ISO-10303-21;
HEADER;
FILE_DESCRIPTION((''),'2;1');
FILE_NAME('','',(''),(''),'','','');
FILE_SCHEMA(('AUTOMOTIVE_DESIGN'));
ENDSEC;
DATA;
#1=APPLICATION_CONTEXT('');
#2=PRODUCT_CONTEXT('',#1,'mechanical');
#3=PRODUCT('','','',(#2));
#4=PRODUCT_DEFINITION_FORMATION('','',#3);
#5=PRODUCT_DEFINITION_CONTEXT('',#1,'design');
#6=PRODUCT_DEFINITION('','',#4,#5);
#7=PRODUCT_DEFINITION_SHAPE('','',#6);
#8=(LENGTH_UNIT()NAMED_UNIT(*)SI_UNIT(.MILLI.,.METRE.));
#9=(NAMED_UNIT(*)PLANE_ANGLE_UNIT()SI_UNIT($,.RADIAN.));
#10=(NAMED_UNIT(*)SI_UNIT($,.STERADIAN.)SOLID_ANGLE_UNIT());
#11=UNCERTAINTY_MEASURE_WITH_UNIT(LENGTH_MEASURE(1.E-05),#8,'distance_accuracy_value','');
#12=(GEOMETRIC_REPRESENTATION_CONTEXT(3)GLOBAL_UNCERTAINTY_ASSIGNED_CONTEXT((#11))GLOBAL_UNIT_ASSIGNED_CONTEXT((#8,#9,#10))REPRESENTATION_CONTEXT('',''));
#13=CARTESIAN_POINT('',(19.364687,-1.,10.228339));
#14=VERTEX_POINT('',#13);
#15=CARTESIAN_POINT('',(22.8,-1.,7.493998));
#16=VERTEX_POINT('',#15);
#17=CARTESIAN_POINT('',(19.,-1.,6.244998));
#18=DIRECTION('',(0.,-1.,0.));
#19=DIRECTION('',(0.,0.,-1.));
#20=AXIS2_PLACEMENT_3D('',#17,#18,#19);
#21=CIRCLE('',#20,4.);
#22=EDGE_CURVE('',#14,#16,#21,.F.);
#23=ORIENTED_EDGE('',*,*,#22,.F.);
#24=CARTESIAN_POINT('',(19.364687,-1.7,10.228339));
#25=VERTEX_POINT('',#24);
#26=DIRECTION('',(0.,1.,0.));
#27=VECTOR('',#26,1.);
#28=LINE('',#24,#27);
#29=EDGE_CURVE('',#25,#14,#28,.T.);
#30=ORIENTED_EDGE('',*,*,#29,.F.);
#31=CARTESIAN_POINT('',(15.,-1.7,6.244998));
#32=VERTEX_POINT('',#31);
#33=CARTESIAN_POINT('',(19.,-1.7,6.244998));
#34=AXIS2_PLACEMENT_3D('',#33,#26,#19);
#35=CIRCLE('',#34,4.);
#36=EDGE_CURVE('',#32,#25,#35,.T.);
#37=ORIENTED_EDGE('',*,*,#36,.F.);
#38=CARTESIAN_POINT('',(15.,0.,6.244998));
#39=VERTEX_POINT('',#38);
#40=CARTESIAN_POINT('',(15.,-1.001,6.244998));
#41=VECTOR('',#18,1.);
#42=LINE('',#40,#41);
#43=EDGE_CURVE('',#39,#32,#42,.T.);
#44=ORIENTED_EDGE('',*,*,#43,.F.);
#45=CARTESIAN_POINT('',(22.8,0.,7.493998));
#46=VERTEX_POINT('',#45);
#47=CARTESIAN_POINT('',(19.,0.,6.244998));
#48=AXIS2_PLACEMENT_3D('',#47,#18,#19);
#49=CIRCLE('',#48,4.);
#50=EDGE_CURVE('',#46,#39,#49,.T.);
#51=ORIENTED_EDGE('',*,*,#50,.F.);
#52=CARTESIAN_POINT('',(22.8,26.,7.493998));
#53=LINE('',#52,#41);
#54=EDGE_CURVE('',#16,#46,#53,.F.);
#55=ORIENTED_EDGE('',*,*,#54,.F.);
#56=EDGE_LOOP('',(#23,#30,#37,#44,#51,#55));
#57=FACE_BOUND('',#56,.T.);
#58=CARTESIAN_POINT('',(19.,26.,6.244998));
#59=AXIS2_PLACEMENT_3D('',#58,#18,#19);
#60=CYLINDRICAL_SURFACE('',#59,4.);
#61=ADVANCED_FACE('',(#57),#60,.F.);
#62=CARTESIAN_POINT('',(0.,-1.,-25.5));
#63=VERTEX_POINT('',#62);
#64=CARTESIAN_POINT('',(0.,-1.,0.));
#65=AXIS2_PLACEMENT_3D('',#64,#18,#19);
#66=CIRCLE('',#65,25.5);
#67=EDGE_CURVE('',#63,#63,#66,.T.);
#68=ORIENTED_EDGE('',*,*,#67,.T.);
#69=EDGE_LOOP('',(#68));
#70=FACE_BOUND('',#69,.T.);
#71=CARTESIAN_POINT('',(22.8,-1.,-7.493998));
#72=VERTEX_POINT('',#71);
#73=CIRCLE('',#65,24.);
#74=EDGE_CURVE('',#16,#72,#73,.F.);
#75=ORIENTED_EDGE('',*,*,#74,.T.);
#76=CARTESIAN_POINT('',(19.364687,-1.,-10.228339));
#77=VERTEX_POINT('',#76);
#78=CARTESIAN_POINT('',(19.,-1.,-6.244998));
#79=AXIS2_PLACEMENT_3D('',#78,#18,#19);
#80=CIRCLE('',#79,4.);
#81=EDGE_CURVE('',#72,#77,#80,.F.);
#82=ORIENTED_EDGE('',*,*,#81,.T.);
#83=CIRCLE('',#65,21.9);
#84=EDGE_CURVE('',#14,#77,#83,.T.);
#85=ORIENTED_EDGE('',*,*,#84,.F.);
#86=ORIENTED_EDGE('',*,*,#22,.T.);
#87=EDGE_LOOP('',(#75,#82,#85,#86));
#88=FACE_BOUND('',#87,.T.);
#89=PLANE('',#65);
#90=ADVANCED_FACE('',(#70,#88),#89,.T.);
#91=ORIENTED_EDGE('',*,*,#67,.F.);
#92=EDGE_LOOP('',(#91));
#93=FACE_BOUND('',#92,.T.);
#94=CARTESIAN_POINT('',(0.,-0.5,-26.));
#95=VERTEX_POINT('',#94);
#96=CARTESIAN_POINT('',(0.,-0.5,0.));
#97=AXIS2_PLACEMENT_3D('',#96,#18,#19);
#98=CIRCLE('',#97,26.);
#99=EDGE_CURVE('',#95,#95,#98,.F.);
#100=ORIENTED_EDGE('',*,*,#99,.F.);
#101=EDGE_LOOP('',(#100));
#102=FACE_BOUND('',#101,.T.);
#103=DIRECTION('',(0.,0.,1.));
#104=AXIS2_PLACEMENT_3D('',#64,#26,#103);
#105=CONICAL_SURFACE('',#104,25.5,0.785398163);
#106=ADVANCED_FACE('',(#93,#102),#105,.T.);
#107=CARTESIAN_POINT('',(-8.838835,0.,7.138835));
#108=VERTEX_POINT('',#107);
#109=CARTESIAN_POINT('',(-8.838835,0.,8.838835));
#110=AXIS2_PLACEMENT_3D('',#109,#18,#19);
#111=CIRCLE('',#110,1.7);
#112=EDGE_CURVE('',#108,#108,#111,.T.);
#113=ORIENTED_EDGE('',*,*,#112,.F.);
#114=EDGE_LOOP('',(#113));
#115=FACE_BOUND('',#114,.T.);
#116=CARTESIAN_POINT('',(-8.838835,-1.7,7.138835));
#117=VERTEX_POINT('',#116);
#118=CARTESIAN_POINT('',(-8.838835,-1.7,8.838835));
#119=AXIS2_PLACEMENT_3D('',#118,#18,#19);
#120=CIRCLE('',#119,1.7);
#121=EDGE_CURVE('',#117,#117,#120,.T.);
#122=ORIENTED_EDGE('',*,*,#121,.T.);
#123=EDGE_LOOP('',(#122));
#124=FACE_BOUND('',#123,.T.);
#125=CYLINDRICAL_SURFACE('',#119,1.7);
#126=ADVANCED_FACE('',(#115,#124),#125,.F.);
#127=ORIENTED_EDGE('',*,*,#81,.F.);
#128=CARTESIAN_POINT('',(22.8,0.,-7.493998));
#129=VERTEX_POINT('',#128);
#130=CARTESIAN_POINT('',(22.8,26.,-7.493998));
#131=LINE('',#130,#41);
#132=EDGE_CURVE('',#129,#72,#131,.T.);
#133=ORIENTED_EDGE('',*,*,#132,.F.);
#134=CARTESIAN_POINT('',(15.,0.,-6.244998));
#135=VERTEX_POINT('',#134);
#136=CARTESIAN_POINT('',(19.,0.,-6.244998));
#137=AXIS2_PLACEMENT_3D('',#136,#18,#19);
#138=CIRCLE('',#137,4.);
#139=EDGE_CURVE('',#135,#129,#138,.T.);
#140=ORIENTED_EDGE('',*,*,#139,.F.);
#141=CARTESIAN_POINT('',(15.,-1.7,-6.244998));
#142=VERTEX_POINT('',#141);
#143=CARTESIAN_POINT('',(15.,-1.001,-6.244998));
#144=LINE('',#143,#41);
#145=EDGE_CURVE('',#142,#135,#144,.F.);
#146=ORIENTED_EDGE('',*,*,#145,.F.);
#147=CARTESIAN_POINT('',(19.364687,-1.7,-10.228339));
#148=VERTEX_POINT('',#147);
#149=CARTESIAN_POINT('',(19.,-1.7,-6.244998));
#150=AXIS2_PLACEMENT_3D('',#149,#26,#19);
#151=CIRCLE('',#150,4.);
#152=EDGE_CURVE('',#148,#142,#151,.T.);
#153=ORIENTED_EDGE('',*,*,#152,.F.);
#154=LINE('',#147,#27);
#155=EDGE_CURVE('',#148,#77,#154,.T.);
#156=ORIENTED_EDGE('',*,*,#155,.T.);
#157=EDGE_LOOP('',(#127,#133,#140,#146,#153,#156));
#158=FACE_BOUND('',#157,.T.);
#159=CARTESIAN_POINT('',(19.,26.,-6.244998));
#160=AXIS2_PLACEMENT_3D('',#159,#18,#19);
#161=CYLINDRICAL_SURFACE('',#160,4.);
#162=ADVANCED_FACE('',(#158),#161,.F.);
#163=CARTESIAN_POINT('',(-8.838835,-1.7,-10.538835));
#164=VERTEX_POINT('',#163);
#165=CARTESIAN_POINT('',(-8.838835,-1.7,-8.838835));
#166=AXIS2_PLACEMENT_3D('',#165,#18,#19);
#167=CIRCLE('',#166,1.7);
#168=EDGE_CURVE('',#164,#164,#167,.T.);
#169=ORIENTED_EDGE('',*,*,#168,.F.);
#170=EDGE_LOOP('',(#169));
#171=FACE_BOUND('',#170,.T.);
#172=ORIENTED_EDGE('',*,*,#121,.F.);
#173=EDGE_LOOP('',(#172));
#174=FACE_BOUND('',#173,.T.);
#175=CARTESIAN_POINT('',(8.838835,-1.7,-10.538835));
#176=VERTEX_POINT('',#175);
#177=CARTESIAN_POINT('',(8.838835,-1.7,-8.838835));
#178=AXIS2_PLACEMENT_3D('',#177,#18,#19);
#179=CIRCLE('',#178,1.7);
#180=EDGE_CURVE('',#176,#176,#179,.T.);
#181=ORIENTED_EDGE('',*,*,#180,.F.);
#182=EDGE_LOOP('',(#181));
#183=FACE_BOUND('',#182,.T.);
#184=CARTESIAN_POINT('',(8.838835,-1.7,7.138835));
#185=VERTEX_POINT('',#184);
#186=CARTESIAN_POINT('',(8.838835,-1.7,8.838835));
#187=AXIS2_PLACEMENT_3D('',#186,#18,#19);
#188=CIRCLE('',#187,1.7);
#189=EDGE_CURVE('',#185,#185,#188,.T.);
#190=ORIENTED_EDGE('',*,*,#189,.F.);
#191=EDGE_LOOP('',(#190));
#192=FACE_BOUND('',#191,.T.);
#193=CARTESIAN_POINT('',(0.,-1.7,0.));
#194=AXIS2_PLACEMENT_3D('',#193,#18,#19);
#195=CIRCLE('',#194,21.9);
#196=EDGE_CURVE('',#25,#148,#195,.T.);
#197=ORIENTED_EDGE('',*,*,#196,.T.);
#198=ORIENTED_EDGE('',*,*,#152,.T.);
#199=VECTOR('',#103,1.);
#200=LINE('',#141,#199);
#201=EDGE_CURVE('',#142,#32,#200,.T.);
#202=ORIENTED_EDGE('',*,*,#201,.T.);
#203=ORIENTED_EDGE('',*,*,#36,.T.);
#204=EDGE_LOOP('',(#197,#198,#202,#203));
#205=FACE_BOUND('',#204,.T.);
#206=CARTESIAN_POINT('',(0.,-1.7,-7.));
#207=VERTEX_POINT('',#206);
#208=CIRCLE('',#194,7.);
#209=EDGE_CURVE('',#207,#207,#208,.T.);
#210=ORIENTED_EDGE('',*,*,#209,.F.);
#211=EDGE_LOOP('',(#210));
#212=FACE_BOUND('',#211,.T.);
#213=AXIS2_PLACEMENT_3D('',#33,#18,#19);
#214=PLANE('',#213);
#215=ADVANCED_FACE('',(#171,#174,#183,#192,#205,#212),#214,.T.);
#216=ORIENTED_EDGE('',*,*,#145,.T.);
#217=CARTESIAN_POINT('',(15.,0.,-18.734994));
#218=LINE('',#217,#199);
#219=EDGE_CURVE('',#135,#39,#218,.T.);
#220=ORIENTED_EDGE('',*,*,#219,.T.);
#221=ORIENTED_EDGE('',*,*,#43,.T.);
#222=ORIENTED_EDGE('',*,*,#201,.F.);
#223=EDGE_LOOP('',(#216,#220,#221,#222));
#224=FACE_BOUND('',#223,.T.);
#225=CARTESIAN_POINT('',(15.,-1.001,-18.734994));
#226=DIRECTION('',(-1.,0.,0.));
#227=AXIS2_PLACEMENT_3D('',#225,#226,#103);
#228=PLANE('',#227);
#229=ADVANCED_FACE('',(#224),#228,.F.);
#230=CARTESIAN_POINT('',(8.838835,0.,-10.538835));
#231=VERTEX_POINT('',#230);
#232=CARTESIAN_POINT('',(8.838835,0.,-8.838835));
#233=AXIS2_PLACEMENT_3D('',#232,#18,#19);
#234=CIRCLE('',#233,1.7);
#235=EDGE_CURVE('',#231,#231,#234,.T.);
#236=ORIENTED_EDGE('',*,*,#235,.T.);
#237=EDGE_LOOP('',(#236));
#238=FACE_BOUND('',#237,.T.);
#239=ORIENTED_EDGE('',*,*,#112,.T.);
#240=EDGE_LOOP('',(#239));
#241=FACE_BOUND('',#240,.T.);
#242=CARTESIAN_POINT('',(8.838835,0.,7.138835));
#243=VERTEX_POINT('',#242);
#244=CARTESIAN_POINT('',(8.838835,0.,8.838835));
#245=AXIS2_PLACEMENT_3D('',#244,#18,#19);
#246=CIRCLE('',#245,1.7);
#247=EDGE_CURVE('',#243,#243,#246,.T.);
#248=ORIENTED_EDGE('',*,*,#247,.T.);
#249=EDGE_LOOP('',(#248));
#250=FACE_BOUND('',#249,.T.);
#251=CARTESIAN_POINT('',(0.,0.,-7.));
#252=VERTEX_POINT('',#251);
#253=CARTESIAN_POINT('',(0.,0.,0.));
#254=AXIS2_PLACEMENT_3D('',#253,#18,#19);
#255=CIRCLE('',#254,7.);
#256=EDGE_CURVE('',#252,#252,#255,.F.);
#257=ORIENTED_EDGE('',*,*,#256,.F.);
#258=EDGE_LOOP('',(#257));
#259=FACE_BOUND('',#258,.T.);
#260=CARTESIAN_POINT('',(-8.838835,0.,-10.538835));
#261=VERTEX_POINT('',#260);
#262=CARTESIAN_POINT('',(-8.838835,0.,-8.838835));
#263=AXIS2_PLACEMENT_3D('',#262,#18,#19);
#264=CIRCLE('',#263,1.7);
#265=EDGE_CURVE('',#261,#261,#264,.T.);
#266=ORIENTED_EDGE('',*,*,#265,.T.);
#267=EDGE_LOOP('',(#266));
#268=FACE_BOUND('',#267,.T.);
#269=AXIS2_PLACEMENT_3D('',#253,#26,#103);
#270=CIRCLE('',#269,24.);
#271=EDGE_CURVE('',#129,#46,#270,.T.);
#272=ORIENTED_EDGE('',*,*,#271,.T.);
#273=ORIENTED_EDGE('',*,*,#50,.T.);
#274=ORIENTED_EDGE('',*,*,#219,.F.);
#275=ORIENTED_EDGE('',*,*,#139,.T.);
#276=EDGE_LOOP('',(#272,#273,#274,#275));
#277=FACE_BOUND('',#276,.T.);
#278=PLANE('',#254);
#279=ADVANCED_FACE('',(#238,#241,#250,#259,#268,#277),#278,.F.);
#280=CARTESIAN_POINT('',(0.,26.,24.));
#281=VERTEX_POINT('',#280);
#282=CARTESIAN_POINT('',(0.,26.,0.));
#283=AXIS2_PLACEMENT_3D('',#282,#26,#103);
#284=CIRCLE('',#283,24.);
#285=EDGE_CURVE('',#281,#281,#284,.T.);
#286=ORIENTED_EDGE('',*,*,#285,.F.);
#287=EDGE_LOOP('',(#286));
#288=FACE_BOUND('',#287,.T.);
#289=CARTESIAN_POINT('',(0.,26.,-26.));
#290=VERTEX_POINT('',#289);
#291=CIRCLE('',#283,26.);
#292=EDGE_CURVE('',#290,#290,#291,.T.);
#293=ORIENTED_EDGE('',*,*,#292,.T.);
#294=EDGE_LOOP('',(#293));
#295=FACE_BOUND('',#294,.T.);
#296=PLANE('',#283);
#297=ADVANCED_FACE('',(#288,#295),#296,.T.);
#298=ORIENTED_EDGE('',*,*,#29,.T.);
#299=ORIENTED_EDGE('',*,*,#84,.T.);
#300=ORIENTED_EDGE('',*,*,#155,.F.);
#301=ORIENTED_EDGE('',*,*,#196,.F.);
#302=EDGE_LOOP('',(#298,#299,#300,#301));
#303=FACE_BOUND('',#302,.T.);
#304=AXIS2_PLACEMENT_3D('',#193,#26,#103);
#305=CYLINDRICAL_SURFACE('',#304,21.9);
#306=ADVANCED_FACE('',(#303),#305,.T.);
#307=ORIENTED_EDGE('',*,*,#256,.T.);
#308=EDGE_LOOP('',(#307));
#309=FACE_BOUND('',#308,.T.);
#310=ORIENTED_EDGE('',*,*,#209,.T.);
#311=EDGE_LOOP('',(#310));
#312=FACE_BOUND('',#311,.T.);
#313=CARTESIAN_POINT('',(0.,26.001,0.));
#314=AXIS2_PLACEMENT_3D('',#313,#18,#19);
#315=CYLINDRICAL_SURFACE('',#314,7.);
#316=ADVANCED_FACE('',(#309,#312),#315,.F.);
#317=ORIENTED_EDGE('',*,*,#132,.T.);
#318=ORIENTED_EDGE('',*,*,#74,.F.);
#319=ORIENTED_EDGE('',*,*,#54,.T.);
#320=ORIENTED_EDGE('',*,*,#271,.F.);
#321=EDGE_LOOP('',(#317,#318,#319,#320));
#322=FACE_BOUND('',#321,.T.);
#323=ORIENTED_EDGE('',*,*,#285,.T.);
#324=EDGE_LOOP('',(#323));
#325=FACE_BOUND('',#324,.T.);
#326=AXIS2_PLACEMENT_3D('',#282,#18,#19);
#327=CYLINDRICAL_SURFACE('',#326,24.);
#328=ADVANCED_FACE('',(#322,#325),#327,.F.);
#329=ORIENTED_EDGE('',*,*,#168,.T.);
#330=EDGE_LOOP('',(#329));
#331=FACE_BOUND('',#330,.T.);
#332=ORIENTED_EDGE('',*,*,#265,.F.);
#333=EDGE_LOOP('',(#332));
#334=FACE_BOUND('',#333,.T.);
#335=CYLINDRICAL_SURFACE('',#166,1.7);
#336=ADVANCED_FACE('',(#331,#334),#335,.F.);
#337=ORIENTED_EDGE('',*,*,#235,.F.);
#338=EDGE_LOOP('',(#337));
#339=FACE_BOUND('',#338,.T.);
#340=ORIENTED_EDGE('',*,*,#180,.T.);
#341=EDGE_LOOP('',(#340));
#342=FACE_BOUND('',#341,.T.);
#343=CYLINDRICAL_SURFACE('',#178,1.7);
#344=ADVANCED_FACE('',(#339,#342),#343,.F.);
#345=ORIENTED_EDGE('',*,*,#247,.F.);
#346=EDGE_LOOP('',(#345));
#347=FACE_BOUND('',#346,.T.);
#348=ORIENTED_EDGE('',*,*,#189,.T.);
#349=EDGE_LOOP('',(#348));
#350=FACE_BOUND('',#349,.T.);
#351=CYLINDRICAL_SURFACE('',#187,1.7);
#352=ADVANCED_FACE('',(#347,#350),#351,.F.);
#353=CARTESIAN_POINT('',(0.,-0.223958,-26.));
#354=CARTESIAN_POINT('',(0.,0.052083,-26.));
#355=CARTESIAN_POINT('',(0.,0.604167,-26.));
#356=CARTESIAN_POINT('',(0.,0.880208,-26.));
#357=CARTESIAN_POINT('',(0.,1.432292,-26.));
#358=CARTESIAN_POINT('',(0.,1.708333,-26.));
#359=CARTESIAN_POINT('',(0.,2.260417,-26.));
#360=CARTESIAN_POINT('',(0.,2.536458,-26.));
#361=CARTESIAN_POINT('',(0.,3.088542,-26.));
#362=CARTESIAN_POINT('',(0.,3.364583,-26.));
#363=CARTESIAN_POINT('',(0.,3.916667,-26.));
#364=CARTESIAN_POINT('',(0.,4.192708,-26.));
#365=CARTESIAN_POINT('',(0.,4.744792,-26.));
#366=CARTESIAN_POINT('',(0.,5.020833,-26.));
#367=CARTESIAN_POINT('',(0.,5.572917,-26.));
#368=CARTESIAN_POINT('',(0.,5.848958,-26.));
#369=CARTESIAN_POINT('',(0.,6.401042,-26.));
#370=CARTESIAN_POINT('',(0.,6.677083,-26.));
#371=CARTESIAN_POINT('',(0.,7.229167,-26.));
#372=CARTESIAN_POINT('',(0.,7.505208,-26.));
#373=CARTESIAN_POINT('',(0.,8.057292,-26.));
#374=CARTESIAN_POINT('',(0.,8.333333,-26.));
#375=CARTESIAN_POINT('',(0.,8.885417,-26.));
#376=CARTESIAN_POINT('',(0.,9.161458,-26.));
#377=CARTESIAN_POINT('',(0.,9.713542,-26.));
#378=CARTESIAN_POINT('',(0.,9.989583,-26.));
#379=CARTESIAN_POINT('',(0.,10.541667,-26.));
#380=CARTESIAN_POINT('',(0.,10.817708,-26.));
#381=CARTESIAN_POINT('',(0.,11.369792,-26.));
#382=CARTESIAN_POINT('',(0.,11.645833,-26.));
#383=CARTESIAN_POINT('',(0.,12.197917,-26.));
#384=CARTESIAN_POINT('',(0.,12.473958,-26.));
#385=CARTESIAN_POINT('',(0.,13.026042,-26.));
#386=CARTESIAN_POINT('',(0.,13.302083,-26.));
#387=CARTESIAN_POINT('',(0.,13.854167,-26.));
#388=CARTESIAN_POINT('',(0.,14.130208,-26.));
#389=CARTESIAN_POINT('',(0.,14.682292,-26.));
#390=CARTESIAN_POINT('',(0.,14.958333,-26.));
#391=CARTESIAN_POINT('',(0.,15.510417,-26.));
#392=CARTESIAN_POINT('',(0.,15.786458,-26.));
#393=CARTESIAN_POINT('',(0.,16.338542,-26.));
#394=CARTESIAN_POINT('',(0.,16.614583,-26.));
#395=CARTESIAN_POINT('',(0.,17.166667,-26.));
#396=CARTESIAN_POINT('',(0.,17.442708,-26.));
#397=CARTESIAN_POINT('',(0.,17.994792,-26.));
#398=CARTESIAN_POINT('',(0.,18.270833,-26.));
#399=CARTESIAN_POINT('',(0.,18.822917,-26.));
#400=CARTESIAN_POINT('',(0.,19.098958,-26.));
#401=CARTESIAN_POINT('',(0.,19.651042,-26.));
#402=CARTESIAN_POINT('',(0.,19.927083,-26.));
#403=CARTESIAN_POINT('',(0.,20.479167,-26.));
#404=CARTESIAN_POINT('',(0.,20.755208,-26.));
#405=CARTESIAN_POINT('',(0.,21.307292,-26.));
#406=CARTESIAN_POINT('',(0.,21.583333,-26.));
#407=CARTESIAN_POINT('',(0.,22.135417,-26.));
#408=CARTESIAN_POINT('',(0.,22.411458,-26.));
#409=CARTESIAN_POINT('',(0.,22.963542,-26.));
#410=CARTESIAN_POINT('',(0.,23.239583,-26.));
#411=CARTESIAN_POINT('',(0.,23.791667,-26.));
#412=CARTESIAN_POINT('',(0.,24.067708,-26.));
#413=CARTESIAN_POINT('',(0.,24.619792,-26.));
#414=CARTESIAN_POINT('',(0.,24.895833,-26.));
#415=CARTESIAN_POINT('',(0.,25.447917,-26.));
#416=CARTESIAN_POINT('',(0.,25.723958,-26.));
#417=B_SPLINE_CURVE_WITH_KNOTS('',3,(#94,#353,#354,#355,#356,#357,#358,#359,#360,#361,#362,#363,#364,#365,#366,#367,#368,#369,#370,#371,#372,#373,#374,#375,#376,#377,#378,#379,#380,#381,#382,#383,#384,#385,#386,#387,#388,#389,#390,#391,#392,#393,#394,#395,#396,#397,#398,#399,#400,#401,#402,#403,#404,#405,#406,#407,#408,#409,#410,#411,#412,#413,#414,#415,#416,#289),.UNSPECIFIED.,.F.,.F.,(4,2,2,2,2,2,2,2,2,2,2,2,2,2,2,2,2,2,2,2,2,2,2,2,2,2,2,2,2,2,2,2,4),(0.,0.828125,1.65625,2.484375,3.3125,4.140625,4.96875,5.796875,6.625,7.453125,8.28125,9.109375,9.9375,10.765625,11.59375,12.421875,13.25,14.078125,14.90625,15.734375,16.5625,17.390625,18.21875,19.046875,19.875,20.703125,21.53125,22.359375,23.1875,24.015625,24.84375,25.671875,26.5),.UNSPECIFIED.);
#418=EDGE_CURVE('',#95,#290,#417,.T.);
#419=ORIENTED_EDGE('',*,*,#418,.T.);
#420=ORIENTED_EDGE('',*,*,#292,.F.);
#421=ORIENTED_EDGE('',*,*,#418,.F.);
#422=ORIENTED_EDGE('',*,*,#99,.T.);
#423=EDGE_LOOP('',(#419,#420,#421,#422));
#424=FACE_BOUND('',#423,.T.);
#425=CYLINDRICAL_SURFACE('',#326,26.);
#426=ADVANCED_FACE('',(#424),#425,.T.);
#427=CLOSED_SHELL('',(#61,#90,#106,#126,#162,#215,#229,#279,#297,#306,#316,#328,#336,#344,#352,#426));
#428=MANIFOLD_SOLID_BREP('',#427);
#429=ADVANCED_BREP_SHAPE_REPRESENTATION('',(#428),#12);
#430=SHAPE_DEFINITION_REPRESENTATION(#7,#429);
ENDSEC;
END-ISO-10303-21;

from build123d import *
from build123d.topology import SkipClean

# Parameters (mm, degrees)
SKETCH_1_R          = 26
SKETCH_1_R_2        = 24
EXTRUDE_1_DEPTH     = 26
EXTRUDE_START       = 1
SKETCH_2_R          = 26
EXTRUDE_2_DEPTH     = 1
CUT_EXTRUDE_4_REACH = 47.033
FILLET_2_R          = 4
EXTRUDE_START_2     = 0.7
EXTRUDE_3_DEPTH     = 0.7
CUT_EXTRUDE_1_REACH = 48.036
SKETCH_4_R          = 7
HOLE_WIZARD_M31_D   = 3.4
CHAMFER_1_SIZE      = 0.5


with BuildPart() as part:
    # Эскиз1 → Бобышка-Вытянуть1 (new body)
    with BuildSketch(Plane(origin=(0, 0, 0), x_dir=(1, 0, 0), z_dir=(0, 1, 0))):
        with Locations(Location((0, 0, 0), (0, 0, 90))):
            Circle(SKETCH_1_R)
        with Locations(Location((0, 0, 0), (0, 0, 90))):
            Circle(SKETCH_1_R_2, mode=Mode.SUBTRACT)
    extrude(amount=EXTRUDE_1_DEPTH)

    # Эскиз2 → Бобышка-Вытянуть2 (add)
    with BuildSketch(Plane.XZ.offset(EXTRUDE_START)):
        with Locations(Location((0, 0, 0), (0, 0, 270))):
            Circle(SKETCH_2_R)
    extrude(amount=-EXTRUDE_2_DEPTH)

    # Эскиз9 → Вырез-Вытянуть4 (cut, up to next)
    with BuildSketch(Plane(origin=(0, 0, 0), x_dir=(1, 0, 0), z_dir=(0, 1, 0)), mode=Mode.PRIVATE) as cut_extrude_4_sk1:
        with BuildLine():
            Line((15, 18.734993995), (15, -18.734993995))
            ThreePointArc((15, -18.734993995), (24, 0), (15, 18.734993995))
        make_face()
    cut_extrude_4_tool1 = extrude(cut_extrude_4_sk1.sketch, amount=-CUT_EXTRUDE_4_REACH, mode=Mode.PRIVATE) & part.part
    add(cut_extrude_4_tool1.solids().sort_by_distance((18.66496, 0, 0))[0], mode=Mode.SUBTRACT)

    # Скругление2
    fillet_2_edges = [part.edges().sort_by_distance(p)[0] for p in [
        (15, -0.5, -18.734993995),
        (15, -0.5, 18.734993995),
    ]]
    fillet(fillet_2_edges, radius=FILLET_2_R)

    # Эскиз3 → Бобышка-Вытянуть3 (add)
    with SkipClean():  # the faces are left unmerged after this step: merging them gives an invalid solid
        with BuildSketch(Plane.XZ.offset(1).offset(EXTRUDE_START_2)):
            with BuildLine():
                Line((15, -6.244997998), (15, 6.244997998))
                ThreePointArc((15, 6.244997998), (16.303590006, 9.199549257), (19.364686571, 10.22833877))
                ThreePointArc((19.364686571, 10.22833877), (-21.9, 0), (19.364686571, -10.22833877))
                ThreePointArc((19.364686571, -10.22833877), (16.303590006, -9.199549257), (15, -6.244997998))
            make_face()
        extrude(amount=-EXTRUDE_3_DEPTH)

    # Эскиз4 → Вырез-Вытянуть1 (cut, up to next)
    with BuildSketch(Plane.XZ.offset(1.7), mode=Mode.PRIVATE) as cut_extrude_1_sk1:
        with Locations(Location((0, 0, 0), (0, 0, 270))):
            Circle(SKETCH_4_R)
    cut_extrude_1_tool1 = extrude(cut_extrude_1_sk1.sketch, amount=-CUT_EXTRUDE_1_REACH, mode=Mode.PRIVATE) & part.part
    add(cut_extrude_1_tool1.solids().sort_by_distance((0, -1.7, 0))[0], mode=Mode.SUBTRACT)

    # Отверстие с зазором M31 (through all)
    with Locations(Plane(origin=(0, -1.7, 0), x_dir=(-1, 0, 0), z_dir=(0, -1, 0))):
        with Locations((8.838834765, -8.838834765), (-8.838834765, -8.838834765), (-8.838834765, 8.838834765), (8.838834765, 8.838834765)):
            Hole(HOLE_WIZARD_M31_D / 2)

    # Фаска1
    chamfer_1_edges = [part.edges().sort_by_distance(p)[0] for p in [
        (0, -1, 26),
    ]]
    chamfer(chamfer_1_edges, length=CHAMFER_1_SIZE)


solid = part.part
